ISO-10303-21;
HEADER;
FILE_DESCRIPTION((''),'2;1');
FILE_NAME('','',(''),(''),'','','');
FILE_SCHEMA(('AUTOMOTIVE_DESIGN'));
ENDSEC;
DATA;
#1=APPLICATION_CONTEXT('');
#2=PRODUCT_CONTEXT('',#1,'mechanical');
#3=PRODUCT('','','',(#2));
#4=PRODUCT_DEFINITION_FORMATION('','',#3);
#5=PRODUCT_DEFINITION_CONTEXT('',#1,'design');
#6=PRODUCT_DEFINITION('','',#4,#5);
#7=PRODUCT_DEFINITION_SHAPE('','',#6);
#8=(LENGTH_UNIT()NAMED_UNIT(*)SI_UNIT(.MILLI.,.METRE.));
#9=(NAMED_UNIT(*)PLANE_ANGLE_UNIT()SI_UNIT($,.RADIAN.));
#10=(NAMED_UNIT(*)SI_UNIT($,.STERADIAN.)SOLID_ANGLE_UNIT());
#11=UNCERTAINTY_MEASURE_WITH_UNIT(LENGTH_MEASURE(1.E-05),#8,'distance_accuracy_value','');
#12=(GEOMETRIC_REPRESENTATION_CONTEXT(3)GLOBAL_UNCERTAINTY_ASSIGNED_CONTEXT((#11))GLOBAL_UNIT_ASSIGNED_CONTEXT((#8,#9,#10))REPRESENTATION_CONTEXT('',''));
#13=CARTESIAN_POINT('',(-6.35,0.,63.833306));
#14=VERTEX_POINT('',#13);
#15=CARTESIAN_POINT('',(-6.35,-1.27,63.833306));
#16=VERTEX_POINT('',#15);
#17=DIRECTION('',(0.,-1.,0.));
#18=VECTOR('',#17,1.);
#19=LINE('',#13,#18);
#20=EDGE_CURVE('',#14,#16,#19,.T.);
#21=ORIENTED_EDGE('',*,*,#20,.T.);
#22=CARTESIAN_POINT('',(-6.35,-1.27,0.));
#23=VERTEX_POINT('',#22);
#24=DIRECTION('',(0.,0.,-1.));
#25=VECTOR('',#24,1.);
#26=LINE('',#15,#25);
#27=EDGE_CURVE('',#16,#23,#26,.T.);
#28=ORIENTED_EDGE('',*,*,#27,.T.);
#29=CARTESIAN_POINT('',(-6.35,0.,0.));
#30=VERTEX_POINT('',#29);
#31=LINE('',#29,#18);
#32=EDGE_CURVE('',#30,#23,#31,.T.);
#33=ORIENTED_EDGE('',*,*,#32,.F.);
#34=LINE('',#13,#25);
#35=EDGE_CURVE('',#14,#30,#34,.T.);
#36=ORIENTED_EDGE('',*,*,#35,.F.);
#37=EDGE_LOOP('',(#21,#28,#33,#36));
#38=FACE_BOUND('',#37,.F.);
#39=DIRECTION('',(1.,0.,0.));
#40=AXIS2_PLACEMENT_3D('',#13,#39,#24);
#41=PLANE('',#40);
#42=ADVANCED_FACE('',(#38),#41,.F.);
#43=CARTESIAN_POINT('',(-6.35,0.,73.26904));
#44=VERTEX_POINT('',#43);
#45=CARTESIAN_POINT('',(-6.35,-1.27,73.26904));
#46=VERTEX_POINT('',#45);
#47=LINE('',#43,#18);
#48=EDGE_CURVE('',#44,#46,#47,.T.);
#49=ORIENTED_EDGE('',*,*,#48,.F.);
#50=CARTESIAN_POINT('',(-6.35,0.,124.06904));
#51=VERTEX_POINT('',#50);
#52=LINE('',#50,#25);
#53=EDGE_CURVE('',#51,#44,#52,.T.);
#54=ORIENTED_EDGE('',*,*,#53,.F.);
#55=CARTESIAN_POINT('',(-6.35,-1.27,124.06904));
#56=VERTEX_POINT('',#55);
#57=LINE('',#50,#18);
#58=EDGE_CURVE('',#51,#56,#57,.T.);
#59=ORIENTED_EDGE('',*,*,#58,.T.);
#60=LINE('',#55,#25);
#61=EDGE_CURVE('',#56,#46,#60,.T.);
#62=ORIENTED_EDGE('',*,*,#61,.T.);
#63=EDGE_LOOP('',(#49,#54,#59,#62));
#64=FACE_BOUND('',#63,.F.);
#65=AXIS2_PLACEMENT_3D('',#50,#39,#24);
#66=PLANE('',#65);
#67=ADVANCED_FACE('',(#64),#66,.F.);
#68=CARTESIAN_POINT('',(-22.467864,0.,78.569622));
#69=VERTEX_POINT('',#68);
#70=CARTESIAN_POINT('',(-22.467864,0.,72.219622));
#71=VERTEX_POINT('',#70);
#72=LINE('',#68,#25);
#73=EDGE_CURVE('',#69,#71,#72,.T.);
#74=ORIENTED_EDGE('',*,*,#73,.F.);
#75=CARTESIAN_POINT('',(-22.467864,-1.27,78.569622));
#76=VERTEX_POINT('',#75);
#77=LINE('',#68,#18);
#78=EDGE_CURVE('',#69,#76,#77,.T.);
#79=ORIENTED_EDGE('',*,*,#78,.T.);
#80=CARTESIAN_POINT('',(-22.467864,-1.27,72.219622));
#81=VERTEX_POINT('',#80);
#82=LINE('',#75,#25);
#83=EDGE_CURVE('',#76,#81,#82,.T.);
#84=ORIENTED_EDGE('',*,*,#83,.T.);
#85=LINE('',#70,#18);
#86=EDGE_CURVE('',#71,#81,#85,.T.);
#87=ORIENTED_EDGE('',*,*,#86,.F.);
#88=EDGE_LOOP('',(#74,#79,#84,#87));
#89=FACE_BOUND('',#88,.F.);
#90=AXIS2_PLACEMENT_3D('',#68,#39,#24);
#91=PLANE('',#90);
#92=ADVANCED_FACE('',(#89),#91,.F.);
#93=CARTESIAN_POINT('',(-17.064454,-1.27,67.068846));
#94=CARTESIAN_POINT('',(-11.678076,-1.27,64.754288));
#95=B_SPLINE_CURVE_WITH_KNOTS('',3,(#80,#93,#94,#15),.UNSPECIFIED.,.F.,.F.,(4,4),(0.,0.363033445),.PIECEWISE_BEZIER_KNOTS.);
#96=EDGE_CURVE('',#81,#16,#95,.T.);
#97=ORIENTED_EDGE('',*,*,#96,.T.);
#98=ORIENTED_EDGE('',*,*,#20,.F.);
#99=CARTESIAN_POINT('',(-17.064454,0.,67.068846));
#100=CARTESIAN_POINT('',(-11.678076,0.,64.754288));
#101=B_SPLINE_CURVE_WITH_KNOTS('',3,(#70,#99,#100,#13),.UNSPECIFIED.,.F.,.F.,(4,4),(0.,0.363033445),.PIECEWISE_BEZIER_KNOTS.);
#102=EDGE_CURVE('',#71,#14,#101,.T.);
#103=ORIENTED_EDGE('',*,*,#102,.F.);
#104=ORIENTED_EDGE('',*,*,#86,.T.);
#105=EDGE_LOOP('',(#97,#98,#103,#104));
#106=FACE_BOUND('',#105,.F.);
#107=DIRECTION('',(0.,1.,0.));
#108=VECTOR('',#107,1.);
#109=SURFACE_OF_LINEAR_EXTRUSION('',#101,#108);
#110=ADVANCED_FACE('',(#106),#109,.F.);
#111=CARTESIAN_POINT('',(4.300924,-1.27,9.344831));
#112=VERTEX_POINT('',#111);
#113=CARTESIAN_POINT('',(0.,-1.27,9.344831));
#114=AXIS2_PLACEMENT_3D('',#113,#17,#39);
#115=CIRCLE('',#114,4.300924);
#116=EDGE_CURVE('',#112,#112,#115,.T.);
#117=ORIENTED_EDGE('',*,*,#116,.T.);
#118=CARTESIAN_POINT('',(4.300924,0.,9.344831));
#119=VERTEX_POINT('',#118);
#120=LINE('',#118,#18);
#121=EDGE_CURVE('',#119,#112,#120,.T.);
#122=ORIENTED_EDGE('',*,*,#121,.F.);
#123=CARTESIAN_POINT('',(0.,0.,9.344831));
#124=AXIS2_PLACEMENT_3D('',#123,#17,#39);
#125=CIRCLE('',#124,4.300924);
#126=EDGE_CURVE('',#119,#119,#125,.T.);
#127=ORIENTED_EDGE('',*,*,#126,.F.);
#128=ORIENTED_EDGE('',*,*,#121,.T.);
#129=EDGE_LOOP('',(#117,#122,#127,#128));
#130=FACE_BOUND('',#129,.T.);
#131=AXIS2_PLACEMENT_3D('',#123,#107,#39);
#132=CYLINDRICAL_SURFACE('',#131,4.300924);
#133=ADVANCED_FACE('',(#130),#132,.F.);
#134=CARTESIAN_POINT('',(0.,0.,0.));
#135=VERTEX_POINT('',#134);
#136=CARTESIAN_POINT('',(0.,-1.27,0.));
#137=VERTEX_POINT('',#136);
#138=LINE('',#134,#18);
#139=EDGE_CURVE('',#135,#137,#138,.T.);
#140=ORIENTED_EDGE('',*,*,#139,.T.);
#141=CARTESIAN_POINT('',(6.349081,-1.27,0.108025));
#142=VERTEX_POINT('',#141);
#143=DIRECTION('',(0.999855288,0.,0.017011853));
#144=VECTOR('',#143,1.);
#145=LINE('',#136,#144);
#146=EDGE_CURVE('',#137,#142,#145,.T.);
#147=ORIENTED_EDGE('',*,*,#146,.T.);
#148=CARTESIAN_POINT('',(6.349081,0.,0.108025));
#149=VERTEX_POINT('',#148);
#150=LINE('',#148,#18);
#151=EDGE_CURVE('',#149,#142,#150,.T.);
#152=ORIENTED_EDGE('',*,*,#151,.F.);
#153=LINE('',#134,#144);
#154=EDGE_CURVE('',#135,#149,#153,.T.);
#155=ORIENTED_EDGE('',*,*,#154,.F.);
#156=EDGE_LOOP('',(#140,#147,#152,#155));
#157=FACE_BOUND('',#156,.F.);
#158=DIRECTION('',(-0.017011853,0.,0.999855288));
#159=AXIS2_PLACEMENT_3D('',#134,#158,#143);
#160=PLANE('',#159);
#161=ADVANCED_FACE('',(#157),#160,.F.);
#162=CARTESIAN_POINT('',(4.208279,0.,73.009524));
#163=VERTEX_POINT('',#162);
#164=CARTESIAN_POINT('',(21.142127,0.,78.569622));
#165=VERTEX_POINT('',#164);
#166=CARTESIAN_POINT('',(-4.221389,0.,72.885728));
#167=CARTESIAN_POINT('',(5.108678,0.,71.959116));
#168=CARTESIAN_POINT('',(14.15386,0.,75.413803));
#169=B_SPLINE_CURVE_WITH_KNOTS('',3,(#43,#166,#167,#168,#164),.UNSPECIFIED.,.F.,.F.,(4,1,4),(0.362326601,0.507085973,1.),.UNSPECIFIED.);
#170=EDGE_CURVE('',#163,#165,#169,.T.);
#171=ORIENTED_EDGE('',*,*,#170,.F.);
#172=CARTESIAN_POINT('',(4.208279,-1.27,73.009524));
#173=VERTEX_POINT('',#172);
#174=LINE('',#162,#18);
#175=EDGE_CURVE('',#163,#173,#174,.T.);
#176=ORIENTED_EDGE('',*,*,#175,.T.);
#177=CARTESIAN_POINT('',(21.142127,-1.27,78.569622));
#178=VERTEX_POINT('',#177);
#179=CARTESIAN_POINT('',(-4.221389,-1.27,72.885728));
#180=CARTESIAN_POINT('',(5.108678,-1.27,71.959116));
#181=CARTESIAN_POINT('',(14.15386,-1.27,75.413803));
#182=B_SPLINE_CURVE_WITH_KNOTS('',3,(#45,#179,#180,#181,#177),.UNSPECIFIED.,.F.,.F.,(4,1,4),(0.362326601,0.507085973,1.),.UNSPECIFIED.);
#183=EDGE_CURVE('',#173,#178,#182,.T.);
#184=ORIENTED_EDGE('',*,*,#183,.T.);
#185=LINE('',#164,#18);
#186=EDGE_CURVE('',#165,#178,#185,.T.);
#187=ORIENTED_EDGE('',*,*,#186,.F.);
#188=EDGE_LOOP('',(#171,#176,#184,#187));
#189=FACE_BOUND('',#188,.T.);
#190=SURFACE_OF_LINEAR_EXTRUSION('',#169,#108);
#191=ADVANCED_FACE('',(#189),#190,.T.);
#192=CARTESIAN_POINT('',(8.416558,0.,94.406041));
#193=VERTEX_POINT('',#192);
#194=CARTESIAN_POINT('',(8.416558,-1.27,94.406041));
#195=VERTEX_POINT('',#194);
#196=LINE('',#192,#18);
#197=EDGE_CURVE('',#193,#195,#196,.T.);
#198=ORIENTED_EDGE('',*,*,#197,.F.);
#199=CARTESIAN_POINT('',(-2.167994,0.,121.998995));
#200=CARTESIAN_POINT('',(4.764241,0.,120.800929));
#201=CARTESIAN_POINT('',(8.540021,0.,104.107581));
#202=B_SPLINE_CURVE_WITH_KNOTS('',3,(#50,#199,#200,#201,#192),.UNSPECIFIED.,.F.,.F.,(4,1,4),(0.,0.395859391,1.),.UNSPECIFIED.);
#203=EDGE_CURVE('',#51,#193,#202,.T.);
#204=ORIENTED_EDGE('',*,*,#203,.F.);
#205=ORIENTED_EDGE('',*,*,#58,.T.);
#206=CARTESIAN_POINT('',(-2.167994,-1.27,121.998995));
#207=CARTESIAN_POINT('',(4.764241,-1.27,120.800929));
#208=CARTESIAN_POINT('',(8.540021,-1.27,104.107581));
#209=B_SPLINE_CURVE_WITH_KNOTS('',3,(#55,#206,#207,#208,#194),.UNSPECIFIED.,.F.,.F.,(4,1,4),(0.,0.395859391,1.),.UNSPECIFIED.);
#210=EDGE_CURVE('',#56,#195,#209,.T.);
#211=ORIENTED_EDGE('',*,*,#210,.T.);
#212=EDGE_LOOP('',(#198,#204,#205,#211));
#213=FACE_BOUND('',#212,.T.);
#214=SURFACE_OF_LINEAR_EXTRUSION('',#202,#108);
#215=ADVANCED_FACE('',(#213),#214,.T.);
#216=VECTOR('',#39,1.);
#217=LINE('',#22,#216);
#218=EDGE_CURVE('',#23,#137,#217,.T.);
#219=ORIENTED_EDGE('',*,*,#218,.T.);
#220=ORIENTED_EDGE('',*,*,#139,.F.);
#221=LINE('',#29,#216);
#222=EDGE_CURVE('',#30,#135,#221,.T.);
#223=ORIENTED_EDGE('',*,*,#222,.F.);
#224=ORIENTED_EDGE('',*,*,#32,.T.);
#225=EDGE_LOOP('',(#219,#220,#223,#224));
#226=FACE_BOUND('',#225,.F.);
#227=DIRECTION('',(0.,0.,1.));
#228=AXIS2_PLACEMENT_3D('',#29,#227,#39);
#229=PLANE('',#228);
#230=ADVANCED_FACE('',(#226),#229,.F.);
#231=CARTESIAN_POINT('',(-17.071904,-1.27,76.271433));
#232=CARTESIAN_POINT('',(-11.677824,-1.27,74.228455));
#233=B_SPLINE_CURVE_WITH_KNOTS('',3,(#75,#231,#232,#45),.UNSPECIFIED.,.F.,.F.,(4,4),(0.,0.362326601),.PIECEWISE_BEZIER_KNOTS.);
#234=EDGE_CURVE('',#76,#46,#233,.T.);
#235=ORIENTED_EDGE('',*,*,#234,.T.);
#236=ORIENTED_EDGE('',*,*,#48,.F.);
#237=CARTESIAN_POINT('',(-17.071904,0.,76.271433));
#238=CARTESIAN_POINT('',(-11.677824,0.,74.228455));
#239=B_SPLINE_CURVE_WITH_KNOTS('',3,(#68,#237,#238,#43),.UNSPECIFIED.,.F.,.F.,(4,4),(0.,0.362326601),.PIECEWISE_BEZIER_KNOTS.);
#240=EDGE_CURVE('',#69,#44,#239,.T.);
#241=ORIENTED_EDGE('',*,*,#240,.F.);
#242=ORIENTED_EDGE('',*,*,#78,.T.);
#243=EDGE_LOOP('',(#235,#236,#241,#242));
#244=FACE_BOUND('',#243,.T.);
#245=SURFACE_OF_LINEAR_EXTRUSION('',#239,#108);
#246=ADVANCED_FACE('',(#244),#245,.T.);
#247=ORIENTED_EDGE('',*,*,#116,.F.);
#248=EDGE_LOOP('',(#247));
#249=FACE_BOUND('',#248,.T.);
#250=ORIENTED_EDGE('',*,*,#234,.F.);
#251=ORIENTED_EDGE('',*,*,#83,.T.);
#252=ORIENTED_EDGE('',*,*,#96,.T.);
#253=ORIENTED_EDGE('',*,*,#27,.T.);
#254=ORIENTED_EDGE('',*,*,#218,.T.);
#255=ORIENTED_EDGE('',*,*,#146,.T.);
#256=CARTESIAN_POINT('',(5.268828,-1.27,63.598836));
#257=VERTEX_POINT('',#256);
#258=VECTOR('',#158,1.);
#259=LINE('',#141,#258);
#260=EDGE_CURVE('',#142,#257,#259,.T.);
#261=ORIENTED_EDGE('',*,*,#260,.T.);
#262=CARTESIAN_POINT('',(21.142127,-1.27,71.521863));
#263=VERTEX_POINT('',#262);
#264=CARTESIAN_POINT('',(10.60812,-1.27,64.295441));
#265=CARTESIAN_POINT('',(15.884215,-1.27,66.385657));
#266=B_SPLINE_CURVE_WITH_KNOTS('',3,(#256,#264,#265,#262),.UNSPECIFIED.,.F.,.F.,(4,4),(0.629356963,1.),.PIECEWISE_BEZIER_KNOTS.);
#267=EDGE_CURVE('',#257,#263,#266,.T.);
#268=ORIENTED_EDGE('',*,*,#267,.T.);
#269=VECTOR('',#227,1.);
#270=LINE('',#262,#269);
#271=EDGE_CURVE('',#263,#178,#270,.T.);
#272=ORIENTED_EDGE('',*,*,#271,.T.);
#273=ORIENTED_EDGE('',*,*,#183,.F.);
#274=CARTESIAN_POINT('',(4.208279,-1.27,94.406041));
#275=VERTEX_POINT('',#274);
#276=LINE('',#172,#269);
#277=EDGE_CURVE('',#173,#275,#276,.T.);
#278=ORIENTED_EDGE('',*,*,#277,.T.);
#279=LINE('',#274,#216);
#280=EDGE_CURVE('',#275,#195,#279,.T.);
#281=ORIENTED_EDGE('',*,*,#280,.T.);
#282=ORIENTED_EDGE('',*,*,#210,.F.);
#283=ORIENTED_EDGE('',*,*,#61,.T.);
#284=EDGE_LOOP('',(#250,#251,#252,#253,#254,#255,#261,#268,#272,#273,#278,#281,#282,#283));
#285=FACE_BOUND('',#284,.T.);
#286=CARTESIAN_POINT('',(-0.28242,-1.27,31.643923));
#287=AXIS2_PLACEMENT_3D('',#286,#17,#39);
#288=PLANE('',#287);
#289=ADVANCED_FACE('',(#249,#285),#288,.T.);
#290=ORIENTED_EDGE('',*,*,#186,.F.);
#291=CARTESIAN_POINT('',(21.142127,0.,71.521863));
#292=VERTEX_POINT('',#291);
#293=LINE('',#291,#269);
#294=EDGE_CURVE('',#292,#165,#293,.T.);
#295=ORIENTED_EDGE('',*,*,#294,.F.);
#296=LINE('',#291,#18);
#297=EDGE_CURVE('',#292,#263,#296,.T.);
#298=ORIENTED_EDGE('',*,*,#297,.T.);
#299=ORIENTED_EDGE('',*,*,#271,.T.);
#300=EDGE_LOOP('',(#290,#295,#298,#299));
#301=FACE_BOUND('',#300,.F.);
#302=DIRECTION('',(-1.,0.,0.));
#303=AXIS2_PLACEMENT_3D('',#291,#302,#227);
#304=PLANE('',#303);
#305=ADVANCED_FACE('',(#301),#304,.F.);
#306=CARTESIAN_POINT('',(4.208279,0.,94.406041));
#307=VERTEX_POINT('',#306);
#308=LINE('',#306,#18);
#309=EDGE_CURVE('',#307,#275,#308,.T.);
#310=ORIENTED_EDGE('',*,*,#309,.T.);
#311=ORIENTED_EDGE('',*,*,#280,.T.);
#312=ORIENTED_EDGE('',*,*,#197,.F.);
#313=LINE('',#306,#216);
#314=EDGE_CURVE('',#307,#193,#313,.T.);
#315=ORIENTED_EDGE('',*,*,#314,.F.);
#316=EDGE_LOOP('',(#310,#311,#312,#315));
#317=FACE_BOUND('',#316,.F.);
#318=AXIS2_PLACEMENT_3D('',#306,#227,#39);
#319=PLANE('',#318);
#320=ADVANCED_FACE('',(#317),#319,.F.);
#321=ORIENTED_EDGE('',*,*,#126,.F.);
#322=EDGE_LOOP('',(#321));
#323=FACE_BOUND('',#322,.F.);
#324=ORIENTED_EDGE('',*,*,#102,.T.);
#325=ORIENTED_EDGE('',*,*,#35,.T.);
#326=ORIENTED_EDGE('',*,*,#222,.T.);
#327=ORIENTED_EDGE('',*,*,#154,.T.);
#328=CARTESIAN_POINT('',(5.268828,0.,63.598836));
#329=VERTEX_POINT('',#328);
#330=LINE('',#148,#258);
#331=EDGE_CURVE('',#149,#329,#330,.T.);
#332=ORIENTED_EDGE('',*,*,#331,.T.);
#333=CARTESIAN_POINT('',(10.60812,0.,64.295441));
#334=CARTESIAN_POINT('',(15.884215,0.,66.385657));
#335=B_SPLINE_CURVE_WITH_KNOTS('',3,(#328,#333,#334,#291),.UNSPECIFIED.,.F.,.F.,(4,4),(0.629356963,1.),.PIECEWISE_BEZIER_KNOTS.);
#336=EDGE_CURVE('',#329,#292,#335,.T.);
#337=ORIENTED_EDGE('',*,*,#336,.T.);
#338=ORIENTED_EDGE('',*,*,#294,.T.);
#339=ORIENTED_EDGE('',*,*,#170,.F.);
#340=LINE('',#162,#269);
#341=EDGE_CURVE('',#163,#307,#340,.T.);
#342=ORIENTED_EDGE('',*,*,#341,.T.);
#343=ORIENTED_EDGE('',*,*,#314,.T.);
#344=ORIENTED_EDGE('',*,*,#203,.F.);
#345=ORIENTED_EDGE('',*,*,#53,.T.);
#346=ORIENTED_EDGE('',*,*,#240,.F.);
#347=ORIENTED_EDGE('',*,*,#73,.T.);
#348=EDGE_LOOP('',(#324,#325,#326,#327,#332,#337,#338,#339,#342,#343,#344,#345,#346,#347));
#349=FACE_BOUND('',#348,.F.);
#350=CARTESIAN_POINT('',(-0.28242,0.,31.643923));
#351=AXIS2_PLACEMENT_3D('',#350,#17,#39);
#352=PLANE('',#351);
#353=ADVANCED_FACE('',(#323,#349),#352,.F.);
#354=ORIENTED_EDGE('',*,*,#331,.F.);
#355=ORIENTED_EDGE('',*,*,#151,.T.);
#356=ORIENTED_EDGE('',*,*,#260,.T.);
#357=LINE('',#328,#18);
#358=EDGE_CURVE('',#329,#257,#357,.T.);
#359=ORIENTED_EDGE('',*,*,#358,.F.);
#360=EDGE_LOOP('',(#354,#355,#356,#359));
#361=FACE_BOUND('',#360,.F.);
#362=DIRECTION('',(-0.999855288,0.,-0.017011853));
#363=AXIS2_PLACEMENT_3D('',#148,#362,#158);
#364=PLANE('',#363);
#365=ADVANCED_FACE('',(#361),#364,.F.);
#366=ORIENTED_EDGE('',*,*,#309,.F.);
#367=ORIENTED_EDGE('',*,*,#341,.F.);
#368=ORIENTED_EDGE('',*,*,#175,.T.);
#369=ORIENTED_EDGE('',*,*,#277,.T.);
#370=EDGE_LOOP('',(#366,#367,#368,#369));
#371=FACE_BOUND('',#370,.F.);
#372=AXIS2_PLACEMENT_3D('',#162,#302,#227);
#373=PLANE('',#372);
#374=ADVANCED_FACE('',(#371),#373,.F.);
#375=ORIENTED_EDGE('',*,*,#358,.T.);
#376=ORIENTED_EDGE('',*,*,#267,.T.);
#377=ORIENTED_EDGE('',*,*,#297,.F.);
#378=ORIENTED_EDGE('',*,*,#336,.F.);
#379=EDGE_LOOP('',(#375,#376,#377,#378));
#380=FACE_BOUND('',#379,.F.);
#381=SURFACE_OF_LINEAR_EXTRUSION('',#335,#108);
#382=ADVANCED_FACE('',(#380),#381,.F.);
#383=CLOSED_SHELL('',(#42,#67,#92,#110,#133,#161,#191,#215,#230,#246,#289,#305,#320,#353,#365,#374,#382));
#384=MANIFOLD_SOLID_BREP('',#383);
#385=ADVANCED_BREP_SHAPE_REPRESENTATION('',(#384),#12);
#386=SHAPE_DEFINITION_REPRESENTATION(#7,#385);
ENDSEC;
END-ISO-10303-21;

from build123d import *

# Parameters (mm, degrees)
F0_R     = 4.3009235336
F1_DEPTH = 1.27


with BuildPart() as f1:
    # F0 (on Front) → F1 (new body)
    with BuildSketch(Plane.XZ):
        with BuildLine():
            Line((-6.35, 0), (0, 0))
            Line((0, 0), (6.3490810785, 0.1080252686))
            Line((6.3490810785, 0.1080252686), (5.2688283925, 63.5988360536))
            add(Edge.make_bspline(
                [(-6.35, 63.8333058417), (-4.2231685824, 63.4656735081), (-0.3315328284, 63.1981260537), (3.5198606581, 63.3706524244), (5.2688283925, 63.5988360536)],
                knots=[0.3630334453, 0.3630334453, 0.3630334453, 0.3630334453, 0.5079470936, 0.6293569632, 0.6293569632, 0.6293569632, 0.6293569632], degree=3))
            Line((-6.35, 63.8333058417), (-6.35, 0))
        make_face()
        with Locations((0, 9.344831109)):
            Circle(F0_R, mode=Mode.SUBTRACT)
        with BuildLine():
            add(Edge.make_bspline(
                [(-22.4678642667, 72.2196217231), (-17.064453701, 67.0688457999), (-11.678076037, 64.7542876416), (-6.35, 63.8333058417)],
                knots=[0, 0, 0, 0, 0.3630334453, 0.3630334453, 0.3630334453, 0.3630334453], degree=3))
            add(Edge.make_bspline(
                [(-6.35, 63.8333058417), (-4.2231685824, 63.4656735081), (-0.3315328284, 63.1981260537), (3.5198606581, 63.3706524244), (5.2688283925, 63.5988360536)],
                knots=[0.3630334453, 0.3630334453, 0.3630334453, 0.3630334453, 0.5079470936, 0.6293569632, 0.6293569632, 0.6293569632, 0.6293569632], degree=3))
            add(Edge.make_bspline(
                [(5.2688283925, 63.5988360536), (10.6081201213, 64.2954406507), (15.8842146578, 66.3856574203), (21.14212726, 71.5218634843)],
                knots=[0.6293569632, 0.6293569632, 0.6293569632, 0.6293569632, 1, 1, 1, 1], degree=3))
            Line((21.14212726, 71.5218634843), (21.14212726, 78.5696217231))
            add(Edge.make_bspline(
                [(4.2082792031, 73.009523998), (9.9127795787, 73.8128150252), (15.5285993496, 76.0346187914), (21.14212726, 78.5696217231)],
                knots=[0.604052538, 0.604052538, 0.604052538, 0.604052538, 1, 1, 1, 1], degree=3))
            add(Edge.make_bspline(
                [(-6.35, 73.2690403028), (-4.2213889104, 72.8857278835), (-0.6845952553, 72.5344725832), (2.8112610215, 72.8127999913), (4.2082792031, 73.009523998)],
                knots=[0.3623266011, 0.3623266011, 0.3623266011, 0.3623266011, 0.5070859735, 0.604052538, 0.604052538, 0.604052538, 0.604052538], degree=3))
            add(Edge.make_bspline(
                [(-22.4678642667, 78.5696217231), (-17.071903631, 76.2714329461), (-11.6778237405, 74.2284551144), (-6.35, 73.2690403028)],
                knots=[0, 0, 0, 0, 0.3623266011, 0.3623266011, 0.3623266011, 0.3623266011], degree=3))
            Line((-22.4678642667, 78.5696217231), (-22.4678642667, 72.2196217231))
        make_face()
        with BuildLine():
            Line((-6.35, 124.0690403028), (-6.35, 73.2690403028))
            add(Edge.make_bspline(
                [(-6.35, 73.2690403028), (-4.2213889104, 72.8857278835), (-0.6845952553, 72.5344725832), (2.8112610215, 72.8127999913), (4.2082792031, 73.009523998)],
                knots=[0.3623266011, 0.3623266011, 0.3623266011, 0.3623266011, 0.5070859735, 0.604052538, 0.604052538, 0.604052538, 0.604052538], degree=3))
            Line((4.2082792031, 73.009523998), (4.2082792031, 94.4060406129))
            Line((4.2082792031, 94.4060406129), (8.4165584062, 94.4060406129))
            add(Edge.make_bspline(
                [(-6.35, 124.0690403028), (-2.1679936617, 121.9989947069), (4.7642410929, 120.8009290959), (8.5400210241, 104.1075805814), (8.4165584062, 94.4060406129)],
                knots=[0, 0, 0, 0, 0.3958593913, 1, 1, 1, 1], degree=3))
        make_face()
    extrude(amount=F1_DEPTH)


solid = f1.part
